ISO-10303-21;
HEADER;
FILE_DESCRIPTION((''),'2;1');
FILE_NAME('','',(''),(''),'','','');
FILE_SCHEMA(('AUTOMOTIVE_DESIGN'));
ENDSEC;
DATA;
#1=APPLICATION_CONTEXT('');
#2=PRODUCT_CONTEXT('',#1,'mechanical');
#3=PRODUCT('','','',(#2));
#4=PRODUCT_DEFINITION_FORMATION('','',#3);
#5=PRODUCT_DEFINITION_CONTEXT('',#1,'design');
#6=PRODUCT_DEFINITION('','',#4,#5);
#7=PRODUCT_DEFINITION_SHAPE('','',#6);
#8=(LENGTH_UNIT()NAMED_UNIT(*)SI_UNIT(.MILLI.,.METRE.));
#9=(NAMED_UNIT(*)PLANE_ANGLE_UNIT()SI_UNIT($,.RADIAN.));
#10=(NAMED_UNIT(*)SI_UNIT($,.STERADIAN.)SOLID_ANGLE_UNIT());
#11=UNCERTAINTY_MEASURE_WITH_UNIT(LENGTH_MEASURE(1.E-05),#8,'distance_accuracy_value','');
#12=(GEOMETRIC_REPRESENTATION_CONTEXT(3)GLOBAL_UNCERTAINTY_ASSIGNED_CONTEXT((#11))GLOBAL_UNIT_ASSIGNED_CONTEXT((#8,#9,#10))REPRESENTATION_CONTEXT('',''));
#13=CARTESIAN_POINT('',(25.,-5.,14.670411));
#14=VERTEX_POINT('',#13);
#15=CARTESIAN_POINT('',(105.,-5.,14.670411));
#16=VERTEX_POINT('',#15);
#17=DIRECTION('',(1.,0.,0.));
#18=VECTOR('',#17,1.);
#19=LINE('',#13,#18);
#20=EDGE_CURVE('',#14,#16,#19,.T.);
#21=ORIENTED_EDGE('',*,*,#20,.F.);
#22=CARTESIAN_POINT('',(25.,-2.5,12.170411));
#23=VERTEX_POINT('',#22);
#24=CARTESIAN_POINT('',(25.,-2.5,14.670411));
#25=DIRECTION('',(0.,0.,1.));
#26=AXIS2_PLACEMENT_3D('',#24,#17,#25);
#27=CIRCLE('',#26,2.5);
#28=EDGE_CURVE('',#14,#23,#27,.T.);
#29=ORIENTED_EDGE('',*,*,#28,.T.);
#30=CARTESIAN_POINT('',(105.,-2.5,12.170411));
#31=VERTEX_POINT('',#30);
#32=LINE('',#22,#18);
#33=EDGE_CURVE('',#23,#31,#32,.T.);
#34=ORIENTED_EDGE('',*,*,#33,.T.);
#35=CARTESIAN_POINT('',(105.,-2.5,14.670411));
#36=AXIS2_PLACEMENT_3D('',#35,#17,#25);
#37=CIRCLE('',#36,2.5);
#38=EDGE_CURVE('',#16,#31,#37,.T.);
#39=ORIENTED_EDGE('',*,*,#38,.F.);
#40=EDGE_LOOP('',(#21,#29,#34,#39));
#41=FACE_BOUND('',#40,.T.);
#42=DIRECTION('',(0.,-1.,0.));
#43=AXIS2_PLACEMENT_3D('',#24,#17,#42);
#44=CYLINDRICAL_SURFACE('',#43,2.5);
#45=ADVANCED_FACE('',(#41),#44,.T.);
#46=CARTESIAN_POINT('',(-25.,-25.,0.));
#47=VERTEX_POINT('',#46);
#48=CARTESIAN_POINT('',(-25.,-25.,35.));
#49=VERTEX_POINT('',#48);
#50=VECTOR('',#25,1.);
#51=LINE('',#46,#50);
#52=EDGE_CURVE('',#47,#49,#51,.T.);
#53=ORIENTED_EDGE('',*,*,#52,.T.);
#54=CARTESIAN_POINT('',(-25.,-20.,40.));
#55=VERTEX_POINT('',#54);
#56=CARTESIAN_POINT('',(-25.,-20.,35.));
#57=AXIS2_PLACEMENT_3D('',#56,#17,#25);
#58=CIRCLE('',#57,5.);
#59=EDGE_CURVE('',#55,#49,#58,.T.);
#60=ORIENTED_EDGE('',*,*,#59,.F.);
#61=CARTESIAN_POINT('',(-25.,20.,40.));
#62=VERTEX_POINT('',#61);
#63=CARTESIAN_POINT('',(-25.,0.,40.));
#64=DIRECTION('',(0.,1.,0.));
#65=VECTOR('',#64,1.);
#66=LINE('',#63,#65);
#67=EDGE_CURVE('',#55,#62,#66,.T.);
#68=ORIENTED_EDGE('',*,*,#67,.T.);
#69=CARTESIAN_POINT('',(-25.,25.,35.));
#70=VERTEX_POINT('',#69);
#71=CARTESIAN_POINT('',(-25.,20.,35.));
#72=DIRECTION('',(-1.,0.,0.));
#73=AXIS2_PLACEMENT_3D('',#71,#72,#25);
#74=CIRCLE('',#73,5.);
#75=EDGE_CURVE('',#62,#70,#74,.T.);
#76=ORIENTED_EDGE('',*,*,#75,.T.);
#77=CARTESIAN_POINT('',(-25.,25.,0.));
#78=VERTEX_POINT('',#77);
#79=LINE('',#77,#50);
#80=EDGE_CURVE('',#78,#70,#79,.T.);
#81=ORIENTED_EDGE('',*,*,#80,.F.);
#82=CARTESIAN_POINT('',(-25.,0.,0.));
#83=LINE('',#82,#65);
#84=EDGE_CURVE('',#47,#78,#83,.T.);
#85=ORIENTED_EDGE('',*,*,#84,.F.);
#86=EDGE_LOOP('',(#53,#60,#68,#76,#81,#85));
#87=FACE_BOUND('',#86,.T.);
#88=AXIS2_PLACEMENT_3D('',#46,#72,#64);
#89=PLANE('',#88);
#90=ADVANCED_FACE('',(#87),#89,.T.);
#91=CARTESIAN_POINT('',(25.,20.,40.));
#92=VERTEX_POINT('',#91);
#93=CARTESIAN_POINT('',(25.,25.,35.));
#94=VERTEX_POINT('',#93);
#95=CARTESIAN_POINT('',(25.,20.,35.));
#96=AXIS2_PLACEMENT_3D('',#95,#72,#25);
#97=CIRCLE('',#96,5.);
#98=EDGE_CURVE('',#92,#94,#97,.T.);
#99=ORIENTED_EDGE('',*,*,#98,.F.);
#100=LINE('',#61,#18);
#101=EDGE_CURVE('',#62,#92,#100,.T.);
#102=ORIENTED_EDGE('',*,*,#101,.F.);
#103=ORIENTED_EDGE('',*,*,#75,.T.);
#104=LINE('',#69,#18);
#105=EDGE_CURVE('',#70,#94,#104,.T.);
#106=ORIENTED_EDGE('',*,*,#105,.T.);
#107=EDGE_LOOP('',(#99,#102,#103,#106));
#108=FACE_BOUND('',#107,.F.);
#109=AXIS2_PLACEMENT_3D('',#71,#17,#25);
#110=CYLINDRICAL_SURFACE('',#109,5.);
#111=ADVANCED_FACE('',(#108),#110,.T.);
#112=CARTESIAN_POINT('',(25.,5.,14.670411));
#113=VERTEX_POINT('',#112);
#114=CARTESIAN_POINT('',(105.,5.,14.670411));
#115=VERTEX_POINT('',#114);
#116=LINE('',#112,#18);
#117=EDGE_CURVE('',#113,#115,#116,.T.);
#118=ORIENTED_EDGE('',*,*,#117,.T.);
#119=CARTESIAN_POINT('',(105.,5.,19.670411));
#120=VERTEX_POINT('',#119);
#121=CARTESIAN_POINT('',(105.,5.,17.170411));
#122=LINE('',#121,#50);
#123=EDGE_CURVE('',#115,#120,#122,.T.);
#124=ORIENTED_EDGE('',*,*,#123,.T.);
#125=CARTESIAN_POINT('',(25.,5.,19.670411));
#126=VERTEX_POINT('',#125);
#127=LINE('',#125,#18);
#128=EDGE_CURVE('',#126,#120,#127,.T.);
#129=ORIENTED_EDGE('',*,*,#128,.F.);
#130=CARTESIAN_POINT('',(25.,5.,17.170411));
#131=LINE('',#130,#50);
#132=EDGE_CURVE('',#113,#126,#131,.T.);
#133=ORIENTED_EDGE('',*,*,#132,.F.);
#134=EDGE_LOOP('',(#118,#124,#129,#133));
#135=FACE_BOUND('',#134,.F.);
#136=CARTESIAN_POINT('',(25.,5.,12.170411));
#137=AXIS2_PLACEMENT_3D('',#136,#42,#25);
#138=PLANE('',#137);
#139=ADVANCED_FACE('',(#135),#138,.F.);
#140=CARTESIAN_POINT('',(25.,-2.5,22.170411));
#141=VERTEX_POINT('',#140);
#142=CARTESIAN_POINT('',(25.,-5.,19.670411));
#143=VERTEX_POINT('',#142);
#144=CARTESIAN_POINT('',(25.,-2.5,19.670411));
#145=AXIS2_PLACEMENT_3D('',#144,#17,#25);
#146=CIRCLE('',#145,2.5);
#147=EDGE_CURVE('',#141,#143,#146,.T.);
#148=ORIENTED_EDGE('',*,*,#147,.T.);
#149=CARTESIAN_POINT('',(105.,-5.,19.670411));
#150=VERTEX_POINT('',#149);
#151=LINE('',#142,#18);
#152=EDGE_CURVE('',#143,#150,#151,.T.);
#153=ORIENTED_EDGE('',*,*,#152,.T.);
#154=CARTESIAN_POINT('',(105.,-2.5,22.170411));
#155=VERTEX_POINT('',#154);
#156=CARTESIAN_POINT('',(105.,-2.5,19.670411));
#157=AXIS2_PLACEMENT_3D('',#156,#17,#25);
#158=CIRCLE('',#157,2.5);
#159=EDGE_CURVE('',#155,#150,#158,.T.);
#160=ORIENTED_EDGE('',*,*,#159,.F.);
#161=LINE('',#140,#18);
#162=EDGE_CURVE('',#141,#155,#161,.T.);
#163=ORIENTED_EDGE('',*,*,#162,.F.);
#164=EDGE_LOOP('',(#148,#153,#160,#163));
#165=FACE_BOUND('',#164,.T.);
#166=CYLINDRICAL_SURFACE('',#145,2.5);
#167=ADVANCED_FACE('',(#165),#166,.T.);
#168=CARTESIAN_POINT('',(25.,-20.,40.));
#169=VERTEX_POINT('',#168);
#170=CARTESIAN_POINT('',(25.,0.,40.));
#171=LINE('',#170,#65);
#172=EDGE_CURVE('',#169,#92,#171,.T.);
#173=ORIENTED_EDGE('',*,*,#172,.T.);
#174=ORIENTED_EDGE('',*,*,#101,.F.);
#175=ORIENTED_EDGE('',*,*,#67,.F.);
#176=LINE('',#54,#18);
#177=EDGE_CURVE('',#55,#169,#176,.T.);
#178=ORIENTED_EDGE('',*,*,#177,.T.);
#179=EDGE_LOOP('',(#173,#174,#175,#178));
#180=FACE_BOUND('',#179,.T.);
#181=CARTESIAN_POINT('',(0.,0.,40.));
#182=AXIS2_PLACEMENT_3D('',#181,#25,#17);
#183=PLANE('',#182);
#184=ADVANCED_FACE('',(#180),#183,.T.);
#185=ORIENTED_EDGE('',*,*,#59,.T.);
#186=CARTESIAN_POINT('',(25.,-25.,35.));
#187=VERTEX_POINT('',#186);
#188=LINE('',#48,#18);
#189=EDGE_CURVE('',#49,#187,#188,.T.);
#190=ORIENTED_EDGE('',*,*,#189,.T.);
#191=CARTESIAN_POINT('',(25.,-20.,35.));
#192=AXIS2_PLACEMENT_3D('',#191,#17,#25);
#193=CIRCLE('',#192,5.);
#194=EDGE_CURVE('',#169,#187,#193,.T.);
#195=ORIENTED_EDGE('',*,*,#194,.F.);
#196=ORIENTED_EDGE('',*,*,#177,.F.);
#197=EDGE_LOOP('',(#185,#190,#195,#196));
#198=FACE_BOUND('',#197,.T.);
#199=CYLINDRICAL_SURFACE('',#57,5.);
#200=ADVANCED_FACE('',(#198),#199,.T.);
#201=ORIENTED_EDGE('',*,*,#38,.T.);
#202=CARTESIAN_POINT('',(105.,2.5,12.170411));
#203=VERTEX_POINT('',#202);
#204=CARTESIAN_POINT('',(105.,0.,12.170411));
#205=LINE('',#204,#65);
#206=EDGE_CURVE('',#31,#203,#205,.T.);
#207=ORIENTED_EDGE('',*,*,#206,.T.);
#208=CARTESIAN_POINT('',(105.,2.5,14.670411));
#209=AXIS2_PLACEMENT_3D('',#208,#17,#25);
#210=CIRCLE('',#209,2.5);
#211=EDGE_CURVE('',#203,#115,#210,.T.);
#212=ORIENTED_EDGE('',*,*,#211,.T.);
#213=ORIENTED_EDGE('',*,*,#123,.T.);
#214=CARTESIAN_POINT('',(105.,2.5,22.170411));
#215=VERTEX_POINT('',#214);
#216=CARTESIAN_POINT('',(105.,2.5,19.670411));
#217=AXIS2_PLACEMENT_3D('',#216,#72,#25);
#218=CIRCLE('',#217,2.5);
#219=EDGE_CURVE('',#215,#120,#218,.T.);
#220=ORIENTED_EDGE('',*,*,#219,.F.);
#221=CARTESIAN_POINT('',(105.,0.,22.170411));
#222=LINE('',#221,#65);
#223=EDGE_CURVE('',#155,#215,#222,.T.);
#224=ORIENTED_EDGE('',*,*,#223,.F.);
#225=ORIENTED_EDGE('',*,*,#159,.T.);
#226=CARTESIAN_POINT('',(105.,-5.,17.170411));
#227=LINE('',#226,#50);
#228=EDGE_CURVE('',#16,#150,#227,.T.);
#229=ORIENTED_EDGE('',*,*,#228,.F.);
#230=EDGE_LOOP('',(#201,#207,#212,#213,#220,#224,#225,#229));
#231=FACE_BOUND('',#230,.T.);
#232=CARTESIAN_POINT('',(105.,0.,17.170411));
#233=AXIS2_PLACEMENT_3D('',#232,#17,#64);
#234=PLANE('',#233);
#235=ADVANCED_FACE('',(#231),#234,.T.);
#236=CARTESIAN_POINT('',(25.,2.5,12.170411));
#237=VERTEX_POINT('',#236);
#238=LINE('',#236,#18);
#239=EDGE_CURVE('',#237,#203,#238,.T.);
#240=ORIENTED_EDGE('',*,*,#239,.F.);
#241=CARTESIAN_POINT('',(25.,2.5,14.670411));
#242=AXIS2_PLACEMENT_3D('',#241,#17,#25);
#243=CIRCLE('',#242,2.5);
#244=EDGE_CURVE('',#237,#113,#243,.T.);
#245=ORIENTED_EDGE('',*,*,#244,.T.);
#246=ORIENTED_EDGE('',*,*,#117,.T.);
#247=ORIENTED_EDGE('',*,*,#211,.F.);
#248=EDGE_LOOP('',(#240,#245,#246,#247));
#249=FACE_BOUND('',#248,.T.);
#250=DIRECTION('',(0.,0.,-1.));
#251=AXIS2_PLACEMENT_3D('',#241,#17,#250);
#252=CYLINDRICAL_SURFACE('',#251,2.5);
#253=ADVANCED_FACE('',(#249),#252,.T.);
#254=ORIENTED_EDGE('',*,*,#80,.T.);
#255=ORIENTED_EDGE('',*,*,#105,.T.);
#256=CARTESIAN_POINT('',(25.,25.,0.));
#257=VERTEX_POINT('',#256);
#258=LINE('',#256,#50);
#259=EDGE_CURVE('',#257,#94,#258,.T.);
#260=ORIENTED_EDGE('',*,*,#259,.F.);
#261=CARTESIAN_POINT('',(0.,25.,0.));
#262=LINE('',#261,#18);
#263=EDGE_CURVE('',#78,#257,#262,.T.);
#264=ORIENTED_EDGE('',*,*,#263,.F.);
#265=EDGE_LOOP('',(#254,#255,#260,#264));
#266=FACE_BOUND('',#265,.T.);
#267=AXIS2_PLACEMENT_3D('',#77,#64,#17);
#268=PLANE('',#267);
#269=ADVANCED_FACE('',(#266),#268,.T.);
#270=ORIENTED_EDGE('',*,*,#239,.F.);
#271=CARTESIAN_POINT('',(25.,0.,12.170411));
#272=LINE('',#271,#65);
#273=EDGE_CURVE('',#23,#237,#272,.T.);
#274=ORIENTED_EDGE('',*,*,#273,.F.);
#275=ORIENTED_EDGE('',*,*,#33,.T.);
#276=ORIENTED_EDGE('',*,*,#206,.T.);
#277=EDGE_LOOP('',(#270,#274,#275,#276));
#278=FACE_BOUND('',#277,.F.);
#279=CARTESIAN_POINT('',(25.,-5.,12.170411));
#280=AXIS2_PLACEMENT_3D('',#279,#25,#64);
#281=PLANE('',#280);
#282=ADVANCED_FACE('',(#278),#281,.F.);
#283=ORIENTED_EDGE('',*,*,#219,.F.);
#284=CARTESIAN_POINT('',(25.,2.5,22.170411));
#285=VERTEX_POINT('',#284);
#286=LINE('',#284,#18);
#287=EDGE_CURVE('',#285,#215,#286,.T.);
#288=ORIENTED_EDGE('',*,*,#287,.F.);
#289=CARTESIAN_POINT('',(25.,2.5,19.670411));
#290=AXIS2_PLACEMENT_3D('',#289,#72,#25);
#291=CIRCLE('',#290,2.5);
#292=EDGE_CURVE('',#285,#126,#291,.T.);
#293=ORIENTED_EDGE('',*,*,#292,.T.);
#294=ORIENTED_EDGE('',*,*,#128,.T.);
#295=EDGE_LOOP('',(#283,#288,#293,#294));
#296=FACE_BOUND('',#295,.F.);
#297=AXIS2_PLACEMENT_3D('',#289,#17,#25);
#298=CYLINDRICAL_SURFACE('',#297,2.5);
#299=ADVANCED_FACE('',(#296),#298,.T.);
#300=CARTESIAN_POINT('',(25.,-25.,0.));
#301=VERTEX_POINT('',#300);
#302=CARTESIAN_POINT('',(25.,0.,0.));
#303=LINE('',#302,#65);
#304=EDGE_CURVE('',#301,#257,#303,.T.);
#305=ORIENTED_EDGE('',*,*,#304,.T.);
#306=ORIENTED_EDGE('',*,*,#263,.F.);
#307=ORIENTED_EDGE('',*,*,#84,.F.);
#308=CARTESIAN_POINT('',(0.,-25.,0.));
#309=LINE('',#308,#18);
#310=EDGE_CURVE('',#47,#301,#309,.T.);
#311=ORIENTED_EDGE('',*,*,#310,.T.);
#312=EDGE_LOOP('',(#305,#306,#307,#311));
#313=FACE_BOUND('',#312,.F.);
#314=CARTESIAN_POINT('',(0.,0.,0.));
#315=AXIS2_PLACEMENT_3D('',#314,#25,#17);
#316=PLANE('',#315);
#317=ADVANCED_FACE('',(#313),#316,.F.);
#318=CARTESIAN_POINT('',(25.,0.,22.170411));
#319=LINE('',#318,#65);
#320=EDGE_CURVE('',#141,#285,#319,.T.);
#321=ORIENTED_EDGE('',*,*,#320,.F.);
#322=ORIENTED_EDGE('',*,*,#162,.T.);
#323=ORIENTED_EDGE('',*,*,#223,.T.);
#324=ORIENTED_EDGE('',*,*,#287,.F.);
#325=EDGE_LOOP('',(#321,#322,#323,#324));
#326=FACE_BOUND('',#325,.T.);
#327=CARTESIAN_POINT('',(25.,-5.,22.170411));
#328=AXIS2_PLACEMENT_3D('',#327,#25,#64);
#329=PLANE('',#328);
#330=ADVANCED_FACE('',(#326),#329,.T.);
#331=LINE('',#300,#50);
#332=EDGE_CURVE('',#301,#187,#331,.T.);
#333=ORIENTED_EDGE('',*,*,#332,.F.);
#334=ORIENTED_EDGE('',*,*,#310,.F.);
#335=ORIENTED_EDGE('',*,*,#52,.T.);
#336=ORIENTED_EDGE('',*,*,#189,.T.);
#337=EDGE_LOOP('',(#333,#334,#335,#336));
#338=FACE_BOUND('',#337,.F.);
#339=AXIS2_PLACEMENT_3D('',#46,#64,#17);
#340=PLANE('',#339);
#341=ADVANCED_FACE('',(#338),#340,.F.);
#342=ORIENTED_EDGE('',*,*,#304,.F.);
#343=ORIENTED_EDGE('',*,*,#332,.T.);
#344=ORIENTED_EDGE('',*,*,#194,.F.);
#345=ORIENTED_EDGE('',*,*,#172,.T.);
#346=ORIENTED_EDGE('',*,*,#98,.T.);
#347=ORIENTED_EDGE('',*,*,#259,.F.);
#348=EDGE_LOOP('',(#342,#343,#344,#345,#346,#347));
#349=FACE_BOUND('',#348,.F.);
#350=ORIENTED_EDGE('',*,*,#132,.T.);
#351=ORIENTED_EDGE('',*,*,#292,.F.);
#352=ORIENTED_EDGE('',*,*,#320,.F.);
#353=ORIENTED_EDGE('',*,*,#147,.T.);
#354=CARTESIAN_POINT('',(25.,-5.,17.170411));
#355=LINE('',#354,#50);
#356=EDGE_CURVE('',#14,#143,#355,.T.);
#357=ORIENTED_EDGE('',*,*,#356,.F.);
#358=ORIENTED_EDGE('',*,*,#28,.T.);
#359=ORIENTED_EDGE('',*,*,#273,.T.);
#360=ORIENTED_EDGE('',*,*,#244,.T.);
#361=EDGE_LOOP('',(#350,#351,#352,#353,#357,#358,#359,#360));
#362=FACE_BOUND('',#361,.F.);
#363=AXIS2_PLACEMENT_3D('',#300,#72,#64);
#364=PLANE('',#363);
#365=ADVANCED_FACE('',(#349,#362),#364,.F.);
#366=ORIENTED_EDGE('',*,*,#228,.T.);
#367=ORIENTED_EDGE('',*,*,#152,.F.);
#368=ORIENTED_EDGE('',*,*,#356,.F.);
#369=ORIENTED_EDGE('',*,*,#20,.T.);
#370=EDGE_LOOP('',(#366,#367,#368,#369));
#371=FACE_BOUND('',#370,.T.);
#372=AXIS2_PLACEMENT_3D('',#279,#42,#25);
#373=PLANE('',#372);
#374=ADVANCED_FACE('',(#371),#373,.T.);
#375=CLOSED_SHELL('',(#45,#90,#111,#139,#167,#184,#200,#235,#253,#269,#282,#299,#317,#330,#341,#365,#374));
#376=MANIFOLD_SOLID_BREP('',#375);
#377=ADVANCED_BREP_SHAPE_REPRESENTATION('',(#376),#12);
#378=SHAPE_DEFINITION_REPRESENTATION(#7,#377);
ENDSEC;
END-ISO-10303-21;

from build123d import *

# Parameters (mm, degrees)
F0_W     = 50
F0_H     = 50
F1_DEPTH = 40
F2_W     = 10
F2_H     = 10
F3_DEPTH = 80
F4_R     = 2.5
F5_R     = 2.5
F6_R     = 2.5
F7_R     = 2.5
F8_R     = 5
F9_R     = 5


with BuildPart() as f1:
    # F0 (on Top) → F1 (new body)
    with BuildSketch(Plane.XY):
        Rectangle(F0_W, F0_H)
    extrude(amount=F1_DEPTH)

    # F2 (on face) → F3 (join)
    with BuildSketch(Plane.YZ.offset(25)):
        with Locations((0, 17.170411)):
            Rectangle(F2_W, F2_H)
    extrude(amount=F3_DEPTH)

    # F4
    f4_edges = [f1.edges().sort_by_distance(p)[0] for p in [
        (65, 5, 22.170411),
    ]]
    fillet(f4_edges, radius=F4_R)

    # F5
    f5_edges = [f1.edges().sort_by_distance(p)[0] for p in [
        (65, -5, 22.170411),
    ]]
    fillet(f5_edges, radius=F5_R)

    # F6
    f6_edges = [f1.edges().sort_by_distance(p)[0] for p in [
        (65, -5, 12.170411),
    ]]
    fillet(f6_edges, radius=F6_R)

    # F7
    f7_edges = [f1.edges().sort_by_distance(p)[0] for p in [
        (65, 5, 12.170411),
    ]]
    fillet(f7_edges, radius=F7_R)

    # F8
    f8_edges = [f1.edges().sort_by_distance(p)[0] for p in [
        (0, 25, 40),
    ]]
    fillet(f8_edges, radius=F8_R)

    # F9
    f9_edges = [f1.edges().sort_by_distance(p)[0] for p in [
        (0, -25, 40),
    ]]
    fillet(f9_edges, radius=F9_R)


solid = f1.part
